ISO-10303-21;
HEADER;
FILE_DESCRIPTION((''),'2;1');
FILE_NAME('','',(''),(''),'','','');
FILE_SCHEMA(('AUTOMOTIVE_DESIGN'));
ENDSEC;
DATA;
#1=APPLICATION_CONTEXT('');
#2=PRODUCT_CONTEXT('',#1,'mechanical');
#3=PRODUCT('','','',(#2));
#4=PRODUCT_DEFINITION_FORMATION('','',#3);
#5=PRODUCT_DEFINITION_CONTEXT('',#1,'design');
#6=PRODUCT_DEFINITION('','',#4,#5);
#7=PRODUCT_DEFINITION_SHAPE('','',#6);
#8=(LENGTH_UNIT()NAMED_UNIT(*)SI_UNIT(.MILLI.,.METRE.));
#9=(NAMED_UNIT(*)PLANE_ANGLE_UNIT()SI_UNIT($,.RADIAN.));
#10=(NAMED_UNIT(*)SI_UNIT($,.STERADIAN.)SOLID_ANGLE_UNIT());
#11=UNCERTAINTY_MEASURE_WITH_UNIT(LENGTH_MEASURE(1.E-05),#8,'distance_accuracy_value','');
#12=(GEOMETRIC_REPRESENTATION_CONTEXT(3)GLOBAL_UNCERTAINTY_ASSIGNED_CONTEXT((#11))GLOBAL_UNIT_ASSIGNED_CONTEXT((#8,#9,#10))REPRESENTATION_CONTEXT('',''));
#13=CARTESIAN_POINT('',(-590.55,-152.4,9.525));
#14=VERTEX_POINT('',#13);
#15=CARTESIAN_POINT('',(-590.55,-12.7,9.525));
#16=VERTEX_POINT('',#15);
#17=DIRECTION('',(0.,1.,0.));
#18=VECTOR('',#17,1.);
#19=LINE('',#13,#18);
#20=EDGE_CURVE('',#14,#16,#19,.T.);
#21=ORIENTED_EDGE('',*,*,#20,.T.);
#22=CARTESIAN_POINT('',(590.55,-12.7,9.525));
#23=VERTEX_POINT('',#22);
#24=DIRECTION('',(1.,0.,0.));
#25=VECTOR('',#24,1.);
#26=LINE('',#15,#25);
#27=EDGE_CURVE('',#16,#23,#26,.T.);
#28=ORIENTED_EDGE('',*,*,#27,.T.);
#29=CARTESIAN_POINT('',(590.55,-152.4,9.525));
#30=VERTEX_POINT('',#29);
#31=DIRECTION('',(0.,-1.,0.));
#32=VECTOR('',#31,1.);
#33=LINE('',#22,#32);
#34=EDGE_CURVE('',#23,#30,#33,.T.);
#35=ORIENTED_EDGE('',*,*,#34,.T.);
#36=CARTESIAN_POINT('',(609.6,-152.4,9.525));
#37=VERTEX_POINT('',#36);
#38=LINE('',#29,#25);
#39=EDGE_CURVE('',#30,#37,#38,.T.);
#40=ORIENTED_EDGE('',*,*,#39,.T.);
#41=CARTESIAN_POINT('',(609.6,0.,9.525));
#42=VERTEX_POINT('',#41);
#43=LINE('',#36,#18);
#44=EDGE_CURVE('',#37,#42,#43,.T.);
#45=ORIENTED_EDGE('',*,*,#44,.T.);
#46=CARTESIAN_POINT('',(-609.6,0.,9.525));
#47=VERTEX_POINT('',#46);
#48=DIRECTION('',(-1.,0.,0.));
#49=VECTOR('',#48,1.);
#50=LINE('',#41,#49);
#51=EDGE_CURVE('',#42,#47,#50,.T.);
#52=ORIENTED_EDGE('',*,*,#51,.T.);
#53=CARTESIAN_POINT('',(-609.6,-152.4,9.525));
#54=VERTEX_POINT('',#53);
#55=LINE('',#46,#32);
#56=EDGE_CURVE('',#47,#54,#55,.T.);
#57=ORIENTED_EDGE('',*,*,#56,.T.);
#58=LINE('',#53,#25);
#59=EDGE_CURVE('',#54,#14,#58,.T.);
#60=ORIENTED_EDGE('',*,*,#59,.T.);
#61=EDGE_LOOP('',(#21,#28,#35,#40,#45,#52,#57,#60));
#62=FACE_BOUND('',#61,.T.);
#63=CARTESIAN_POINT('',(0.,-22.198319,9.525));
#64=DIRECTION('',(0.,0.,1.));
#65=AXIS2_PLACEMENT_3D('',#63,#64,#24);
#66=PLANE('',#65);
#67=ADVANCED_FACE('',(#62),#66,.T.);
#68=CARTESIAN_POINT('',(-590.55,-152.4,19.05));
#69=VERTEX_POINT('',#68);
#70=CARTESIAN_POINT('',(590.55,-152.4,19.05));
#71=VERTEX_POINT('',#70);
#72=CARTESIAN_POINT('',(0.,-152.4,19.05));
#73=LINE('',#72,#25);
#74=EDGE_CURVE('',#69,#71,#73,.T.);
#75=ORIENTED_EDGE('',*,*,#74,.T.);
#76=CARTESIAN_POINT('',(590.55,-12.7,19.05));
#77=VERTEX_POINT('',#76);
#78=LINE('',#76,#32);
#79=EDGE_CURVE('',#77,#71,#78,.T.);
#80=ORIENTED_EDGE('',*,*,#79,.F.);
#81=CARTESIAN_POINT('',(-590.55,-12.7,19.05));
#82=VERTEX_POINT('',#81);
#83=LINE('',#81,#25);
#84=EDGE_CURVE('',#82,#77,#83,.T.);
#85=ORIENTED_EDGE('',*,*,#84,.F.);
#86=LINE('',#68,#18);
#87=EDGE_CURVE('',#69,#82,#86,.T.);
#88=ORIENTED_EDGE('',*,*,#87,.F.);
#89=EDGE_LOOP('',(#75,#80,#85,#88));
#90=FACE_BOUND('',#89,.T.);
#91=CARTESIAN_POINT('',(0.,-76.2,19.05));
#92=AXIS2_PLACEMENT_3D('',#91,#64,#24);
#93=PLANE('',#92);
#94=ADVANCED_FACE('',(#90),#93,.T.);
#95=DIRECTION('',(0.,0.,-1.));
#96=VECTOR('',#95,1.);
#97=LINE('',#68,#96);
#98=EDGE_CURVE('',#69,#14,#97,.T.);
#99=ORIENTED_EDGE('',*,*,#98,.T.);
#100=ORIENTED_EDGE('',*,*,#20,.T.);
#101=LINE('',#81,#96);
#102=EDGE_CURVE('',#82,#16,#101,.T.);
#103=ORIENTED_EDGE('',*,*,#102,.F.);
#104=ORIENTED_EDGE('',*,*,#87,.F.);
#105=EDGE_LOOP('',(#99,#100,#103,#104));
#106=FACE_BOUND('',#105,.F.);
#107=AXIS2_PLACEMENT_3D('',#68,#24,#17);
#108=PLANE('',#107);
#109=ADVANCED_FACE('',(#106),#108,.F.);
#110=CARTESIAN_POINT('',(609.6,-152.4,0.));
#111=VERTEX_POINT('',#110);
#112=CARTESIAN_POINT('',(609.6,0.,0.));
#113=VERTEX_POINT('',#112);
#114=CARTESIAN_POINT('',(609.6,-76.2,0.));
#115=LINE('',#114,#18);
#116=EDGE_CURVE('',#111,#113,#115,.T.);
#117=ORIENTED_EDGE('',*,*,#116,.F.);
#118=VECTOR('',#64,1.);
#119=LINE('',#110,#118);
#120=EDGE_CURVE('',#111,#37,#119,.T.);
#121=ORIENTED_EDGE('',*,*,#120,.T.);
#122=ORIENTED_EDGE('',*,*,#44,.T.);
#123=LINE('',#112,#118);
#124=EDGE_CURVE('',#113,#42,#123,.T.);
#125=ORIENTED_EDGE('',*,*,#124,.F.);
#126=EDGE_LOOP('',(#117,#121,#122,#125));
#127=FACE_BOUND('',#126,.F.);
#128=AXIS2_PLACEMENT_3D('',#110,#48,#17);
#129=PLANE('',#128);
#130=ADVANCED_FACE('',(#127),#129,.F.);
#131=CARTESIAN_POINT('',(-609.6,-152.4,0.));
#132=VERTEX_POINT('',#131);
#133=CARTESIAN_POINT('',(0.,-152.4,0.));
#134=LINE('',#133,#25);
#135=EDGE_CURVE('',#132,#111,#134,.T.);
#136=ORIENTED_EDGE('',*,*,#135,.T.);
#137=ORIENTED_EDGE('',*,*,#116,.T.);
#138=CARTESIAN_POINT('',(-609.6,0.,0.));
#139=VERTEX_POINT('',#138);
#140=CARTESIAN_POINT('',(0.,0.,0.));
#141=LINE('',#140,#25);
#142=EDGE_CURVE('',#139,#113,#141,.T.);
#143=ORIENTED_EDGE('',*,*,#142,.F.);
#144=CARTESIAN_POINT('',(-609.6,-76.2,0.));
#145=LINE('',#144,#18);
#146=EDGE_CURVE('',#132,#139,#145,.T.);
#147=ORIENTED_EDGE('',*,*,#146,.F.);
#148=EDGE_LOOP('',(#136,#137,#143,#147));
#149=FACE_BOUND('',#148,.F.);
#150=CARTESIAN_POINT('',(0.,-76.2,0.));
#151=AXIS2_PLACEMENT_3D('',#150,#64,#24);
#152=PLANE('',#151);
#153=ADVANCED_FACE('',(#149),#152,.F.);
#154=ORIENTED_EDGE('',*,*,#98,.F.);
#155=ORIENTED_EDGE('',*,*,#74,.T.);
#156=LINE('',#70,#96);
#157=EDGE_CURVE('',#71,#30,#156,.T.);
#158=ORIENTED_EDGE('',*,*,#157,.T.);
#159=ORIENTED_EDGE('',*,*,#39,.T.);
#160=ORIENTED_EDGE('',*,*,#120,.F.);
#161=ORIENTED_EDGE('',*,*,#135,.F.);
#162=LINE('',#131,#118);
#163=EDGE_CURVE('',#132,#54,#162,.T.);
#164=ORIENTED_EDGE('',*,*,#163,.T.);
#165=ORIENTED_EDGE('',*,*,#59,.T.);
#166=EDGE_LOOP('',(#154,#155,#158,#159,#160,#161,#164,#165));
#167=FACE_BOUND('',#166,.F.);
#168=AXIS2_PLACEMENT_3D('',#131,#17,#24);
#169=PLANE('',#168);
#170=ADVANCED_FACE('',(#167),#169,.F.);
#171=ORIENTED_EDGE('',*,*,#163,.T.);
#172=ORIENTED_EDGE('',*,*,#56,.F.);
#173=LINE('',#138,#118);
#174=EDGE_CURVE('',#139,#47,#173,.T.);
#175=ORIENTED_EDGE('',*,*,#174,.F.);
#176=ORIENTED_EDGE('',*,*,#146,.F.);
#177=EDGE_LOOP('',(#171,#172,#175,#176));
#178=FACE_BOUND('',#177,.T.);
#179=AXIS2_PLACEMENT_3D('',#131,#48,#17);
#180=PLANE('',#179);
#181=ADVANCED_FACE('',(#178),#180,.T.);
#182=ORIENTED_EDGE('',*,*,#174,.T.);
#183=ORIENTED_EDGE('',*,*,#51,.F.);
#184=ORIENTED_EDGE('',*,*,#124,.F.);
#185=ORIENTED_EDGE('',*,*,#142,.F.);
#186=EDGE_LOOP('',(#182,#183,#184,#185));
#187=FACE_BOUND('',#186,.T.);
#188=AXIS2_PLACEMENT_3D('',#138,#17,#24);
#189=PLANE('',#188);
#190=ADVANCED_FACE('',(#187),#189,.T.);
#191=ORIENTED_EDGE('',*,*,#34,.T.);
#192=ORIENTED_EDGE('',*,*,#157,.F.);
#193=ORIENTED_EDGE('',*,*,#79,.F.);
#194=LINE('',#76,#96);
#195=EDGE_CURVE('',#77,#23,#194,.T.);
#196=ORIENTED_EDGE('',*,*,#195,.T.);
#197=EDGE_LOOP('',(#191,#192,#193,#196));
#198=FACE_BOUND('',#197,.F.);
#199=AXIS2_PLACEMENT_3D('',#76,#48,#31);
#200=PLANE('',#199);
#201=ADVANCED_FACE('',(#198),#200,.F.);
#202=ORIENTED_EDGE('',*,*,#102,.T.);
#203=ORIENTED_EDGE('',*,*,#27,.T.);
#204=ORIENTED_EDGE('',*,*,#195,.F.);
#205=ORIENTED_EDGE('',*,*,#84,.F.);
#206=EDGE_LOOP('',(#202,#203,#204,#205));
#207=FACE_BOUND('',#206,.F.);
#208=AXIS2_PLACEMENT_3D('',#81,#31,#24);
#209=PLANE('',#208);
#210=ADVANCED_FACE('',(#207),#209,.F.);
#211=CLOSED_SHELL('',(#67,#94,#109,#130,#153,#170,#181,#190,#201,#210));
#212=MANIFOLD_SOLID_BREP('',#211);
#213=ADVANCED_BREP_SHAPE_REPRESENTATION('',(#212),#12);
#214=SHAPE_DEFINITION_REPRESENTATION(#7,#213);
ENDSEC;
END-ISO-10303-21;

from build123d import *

# Parameters (mm, degrees)
F0_W     = 1219.2
F0_H     = 152.4
F1_DEPTH = 19.05
F3_DEPTH = 9.525


with BuildPart() as f1:
    # F0 (on Top) → F1 (new body)
    with BuildSketch(Plane.XY):
        with Locations((0, -76.2)):
            Rectangle(F0_W, F0_H)
    extrude(amount=F1_DEPTH)

    # F2 (on face) → F3 (cut)
    with BuildSketch(Plane.XY.offset(19.05)):
        Polygon((-609.6, 0), (-609.6, -152.4), (-590.55, -152.4), (-590.55, -12.7), (590.55, -12.7), (590.55, -152.4), (609.6, -152.4), (609.6, 0), align=None)
    extrude(amount=-F3_DEPTH, mode=Mode.SUBTRACT)


solid = f1.part
